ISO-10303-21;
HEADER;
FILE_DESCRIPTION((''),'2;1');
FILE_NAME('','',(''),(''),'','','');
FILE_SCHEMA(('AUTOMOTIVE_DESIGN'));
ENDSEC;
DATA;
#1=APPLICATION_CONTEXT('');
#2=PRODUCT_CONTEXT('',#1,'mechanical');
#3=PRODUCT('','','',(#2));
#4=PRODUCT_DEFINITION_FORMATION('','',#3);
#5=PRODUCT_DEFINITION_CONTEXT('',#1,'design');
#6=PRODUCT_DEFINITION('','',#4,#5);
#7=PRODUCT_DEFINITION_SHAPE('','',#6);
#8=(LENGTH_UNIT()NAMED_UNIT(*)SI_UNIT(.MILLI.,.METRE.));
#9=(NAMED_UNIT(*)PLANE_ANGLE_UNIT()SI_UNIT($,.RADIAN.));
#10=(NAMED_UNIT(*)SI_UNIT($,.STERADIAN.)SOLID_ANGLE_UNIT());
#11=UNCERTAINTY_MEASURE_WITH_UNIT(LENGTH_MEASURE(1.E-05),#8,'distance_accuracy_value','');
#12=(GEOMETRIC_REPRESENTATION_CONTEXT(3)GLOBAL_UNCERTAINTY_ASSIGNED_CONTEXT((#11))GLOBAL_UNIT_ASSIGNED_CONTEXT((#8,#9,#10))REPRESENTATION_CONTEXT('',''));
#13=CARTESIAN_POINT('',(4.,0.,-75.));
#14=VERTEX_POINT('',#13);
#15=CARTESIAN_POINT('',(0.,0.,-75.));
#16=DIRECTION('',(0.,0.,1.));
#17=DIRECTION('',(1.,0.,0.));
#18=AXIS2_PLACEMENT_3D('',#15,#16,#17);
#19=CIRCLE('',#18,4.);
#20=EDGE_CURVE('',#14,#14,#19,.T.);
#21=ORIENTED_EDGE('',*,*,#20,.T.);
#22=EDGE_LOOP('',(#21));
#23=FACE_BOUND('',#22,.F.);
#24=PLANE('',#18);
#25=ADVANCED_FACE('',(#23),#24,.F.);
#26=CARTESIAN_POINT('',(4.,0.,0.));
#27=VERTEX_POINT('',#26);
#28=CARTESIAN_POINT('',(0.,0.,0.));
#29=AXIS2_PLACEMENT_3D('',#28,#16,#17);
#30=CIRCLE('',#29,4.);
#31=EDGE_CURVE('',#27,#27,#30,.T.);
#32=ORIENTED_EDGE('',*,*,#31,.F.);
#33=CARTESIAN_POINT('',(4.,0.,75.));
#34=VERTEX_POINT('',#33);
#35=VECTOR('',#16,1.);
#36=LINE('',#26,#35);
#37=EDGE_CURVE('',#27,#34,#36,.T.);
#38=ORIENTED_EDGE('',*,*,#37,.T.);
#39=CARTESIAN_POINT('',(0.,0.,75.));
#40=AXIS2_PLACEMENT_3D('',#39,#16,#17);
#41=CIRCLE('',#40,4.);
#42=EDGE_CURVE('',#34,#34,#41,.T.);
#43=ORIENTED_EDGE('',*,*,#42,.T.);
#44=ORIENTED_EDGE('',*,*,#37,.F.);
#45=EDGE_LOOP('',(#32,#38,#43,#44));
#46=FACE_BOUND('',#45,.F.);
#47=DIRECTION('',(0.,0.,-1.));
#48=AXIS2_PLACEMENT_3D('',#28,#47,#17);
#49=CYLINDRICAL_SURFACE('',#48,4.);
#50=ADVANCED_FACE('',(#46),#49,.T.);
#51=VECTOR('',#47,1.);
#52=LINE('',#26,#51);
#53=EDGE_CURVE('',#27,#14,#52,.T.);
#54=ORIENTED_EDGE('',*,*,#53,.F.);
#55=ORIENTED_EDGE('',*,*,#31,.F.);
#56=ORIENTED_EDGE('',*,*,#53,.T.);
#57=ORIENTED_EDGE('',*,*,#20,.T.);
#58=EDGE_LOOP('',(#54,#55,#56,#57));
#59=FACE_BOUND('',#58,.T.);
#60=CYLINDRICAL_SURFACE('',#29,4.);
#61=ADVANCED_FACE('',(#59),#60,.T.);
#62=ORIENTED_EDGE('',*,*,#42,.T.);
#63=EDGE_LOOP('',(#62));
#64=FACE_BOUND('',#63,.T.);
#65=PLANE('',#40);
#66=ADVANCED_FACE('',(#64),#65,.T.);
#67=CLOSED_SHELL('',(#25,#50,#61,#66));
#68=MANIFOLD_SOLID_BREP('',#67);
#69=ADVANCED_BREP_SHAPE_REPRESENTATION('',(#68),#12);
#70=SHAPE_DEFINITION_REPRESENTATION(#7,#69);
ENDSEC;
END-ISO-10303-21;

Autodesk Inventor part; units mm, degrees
ref_plane "YZ Plane" through (0, 0, 0) normal (1, 0, 0) x (0, 1, 0)
ref_plane "XZ Plane" through (0, 0, 0) normal (0, 1, 0) x (-1, 0, 0)
ref_plane "XY Plane" through (0, 0, 0) normal (0, 0, 1) x (1, 0, 0)
sketch "Boceto1" plane through (0, 0, 0) normal (0, 0, 1) x (1, 0, 0)
  circle A0 centre (0, 0) radius 4
  dimension "d0" = 8
extrude "Extrusión1" add sketch "Boceto1" along normal mid plane 150
thread "Rosca1" size "M8x1.25" class "6g" standard "ISO Metric profile" full length
properties part number "eje roscado"
